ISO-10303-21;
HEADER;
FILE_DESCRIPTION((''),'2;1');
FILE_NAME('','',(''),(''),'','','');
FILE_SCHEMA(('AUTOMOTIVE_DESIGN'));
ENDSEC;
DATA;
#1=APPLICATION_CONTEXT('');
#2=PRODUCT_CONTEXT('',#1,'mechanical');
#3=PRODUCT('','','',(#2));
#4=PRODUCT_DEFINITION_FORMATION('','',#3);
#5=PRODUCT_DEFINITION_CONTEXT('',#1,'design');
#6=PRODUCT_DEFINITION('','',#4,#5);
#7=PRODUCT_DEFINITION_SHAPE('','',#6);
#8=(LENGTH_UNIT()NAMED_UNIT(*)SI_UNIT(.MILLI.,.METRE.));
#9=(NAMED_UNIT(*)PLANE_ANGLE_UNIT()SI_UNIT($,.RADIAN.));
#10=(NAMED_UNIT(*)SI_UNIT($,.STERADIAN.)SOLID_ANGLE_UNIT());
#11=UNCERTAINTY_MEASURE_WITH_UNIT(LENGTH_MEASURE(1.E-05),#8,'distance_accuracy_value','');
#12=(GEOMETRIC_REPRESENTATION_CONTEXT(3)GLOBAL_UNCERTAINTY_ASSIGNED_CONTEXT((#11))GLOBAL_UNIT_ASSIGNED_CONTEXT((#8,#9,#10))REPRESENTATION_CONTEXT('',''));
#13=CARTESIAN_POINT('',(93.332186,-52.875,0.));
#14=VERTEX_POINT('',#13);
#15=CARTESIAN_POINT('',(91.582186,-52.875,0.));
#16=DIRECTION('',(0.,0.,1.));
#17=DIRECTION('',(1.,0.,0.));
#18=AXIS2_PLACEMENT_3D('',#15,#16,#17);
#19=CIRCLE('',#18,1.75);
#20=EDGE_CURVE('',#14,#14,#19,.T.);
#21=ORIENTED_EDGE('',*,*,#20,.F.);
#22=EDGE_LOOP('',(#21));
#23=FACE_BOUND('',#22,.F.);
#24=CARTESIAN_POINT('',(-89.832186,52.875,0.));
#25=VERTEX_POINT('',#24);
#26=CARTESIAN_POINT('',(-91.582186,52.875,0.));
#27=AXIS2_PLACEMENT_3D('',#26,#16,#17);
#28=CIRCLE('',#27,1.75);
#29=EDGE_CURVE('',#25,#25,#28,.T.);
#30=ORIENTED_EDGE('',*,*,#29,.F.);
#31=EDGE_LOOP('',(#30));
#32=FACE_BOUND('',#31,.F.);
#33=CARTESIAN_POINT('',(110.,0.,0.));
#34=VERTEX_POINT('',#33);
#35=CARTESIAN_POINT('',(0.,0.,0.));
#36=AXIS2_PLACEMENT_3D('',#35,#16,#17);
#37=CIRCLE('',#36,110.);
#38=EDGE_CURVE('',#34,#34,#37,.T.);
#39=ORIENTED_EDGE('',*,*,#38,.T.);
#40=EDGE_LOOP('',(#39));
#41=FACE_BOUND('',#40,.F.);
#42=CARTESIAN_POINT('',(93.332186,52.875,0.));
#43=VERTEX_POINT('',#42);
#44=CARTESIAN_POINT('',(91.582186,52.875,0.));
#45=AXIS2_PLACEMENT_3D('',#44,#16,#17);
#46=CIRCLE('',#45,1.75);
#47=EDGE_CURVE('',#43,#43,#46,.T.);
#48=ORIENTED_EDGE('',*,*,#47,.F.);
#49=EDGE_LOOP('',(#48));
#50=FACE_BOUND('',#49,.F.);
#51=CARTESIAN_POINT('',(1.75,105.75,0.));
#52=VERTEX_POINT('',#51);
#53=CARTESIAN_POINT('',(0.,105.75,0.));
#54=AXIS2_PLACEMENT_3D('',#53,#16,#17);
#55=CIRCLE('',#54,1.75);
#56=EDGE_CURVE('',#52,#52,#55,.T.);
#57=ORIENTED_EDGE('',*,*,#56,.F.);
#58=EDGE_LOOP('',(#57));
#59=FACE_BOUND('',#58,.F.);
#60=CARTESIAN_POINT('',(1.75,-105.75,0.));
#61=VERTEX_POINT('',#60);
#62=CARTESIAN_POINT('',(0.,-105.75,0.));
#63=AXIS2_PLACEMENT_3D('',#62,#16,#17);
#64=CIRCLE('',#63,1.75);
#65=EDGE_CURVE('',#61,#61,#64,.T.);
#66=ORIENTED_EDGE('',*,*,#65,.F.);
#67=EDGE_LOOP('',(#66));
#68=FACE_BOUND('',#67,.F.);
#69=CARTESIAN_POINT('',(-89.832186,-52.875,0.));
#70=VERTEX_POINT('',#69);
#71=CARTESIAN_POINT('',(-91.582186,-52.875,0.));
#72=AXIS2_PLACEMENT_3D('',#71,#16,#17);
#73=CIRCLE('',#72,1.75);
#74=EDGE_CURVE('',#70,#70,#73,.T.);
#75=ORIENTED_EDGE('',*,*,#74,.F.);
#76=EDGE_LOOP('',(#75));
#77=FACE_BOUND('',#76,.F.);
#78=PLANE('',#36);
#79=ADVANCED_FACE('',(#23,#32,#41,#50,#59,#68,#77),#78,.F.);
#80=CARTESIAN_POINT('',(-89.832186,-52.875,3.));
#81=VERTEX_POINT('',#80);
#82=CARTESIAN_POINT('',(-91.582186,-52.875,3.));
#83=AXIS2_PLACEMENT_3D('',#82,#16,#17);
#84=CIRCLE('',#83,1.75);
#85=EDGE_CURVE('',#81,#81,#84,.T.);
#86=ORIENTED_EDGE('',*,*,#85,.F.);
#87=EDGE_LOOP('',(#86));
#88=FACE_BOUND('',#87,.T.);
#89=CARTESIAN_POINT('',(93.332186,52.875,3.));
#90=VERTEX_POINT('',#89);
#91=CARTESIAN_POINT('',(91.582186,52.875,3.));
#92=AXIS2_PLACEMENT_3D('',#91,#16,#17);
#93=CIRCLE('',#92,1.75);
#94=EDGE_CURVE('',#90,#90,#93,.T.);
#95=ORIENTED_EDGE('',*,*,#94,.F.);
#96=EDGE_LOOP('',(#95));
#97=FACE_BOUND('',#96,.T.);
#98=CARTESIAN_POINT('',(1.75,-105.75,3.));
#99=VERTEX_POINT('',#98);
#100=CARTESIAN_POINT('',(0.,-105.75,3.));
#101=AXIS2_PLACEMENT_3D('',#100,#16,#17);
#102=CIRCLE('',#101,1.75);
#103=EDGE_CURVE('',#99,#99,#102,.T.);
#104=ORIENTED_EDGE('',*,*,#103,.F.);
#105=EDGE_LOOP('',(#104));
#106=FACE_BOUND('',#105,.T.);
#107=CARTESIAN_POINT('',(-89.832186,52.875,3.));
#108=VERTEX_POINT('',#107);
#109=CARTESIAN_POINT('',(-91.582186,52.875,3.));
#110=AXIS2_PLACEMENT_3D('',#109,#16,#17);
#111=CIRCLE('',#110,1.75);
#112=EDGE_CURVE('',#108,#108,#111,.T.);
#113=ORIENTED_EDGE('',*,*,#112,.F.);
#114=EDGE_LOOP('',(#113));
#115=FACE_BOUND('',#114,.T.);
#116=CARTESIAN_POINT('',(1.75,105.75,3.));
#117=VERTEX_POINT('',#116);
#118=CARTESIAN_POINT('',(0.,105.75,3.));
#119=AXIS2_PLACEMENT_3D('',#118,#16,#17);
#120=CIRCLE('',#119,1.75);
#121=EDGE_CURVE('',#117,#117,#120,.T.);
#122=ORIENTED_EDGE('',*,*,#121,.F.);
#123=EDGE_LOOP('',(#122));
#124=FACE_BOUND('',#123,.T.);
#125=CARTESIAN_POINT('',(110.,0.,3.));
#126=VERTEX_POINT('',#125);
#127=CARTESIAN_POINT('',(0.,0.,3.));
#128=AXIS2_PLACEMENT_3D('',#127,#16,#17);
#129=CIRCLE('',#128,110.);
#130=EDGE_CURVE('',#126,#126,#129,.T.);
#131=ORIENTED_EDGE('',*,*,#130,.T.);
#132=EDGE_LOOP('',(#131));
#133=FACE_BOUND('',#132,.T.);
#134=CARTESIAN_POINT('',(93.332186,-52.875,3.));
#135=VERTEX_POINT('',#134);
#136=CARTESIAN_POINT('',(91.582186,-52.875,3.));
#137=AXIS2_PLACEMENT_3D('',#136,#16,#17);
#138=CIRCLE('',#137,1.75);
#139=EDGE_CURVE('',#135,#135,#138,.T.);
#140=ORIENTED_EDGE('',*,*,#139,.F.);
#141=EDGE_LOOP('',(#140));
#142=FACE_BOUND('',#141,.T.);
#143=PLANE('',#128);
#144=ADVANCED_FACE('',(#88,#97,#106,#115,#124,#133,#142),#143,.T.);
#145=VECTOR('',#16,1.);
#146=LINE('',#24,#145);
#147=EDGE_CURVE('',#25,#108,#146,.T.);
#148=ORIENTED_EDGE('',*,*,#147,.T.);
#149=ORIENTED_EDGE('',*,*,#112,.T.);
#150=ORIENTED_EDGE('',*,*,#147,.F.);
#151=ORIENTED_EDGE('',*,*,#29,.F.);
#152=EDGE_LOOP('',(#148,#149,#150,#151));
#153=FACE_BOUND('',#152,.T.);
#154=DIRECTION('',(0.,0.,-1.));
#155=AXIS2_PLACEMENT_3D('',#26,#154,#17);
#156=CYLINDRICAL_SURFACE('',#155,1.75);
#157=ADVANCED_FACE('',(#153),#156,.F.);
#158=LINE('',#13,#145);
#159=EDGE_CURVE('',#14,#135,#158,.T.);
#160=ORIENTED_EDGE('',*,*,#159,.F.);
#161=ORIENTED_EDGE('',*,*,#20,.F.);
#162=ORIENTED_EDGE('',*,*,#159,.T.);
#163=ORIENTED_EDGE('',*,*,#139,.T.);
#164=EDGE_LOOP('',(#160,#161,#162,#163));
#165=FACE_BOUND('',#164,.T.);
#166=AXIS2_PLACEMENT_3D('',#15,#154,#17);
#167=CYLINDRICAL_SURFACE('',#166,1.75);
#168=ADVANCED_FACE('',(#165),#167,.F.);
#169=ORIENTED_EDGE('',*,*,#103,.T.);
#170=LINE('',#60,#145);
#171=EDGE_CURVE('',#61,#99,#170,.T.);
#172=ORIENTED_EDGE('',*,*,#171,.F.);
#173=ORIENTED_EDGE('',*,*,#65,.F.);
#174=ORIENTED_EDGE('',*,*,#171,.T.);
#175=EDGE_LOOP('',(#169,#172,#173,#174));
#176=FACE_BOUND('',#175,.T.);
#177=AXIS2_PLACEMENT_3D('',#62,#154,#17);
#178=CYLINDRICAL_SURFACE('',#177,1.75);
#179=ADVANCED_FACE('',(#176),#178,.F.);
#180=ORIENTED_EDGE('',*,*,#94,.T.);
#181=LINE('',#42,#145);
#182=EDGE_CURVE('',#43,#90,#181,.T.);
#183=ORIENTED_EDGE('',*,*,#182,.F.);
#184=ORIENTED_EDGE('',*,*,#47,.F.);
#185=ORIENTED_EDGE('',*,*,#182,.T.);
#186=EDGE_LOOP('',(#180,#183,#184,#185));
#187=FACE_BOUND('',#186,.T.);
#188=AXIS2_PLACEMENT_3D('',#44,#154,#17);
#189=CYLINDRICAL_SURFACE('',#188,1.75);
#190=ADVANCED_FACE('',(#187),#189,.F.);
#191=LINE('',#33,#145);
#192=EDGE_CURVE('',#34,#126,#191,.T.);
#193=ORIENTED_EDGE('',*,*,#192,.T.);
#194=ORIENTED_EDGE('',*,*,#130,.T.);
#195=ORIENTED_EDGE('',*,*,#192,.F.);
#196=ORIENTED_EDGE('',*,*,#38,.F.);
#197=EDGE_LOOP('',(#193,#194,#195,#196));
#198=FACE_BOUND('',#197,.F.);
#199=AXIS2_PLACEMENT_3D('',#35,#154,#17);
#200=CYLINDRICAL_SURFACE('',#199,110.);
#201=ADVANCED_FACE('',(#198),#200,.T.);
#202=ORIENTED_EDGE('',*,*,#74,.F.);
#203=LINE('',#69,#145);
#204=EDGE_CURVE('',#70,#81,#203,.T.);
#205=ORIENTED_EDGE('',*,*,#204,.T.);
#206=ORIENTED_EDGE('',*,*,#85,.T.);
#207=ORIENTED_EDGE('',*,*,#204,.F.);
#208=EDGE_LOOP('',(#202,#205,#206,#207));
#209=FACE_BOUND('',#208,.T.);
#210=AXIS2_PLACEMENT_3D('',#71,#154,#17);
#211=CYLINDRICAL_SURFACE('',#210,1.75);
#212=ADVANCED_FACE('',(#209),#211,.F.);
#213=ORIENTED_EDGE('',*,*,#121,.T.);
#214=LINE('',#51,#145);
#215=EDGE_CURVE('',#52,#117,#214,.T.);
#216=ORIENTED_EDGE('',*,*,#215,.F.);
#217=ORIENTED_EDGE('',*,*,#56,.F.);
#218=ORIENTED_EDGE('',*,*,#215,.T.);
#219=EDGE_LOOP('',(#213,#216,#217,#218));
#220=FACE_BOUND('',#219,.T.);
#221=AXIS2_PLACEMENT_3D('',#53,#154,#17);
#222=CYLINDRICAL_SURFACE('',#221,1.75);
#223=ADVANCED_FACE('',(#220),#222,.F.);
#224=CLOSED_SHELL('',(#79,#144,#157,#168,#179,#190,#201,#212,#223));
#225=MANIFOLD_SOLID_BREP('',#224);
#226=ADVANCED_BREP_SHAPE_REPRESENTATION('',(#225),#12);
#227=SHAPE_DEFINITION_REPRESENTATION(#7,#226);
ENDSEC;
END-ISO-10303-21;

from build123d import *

# Parameters (mm, degrees)
F0_R     = 110
F0_R_2   = 1.75
F1_DEPTH = 3


with BuildPart() as f1:
    # F0 (on Top) → F1 (new body)
    with BuildSketch(Plane.XY):
        Circle(F0_R)
        with Locations((-91.582186, -52.875)):
            Circle(F0_R_2, mode=Mode.SUBTRACT)
        with Locations((0, -105.75)):
            Circle(F0_R_2, mode=Mode.SUBTRACT)
        with Locations((91.582186, -52.875)):
            Circle(F0_R_2, mode=Mode.SUBTRACT)
        with Locations((-91.582186, 52.875)):
            Circle(F0_R_2, mode=Mode.SUBTRACT)
        with Locations((91.582186, 52.875)):
            Circle(F0_R_2, mode=Mode.SUBTRACT)
        with Locations((0, 105.75)):
            Circle(F0_R_2, mode=Mode.SUBTRACT)
    extrude(amount=F1_DEPTH)


solid = f1.part
